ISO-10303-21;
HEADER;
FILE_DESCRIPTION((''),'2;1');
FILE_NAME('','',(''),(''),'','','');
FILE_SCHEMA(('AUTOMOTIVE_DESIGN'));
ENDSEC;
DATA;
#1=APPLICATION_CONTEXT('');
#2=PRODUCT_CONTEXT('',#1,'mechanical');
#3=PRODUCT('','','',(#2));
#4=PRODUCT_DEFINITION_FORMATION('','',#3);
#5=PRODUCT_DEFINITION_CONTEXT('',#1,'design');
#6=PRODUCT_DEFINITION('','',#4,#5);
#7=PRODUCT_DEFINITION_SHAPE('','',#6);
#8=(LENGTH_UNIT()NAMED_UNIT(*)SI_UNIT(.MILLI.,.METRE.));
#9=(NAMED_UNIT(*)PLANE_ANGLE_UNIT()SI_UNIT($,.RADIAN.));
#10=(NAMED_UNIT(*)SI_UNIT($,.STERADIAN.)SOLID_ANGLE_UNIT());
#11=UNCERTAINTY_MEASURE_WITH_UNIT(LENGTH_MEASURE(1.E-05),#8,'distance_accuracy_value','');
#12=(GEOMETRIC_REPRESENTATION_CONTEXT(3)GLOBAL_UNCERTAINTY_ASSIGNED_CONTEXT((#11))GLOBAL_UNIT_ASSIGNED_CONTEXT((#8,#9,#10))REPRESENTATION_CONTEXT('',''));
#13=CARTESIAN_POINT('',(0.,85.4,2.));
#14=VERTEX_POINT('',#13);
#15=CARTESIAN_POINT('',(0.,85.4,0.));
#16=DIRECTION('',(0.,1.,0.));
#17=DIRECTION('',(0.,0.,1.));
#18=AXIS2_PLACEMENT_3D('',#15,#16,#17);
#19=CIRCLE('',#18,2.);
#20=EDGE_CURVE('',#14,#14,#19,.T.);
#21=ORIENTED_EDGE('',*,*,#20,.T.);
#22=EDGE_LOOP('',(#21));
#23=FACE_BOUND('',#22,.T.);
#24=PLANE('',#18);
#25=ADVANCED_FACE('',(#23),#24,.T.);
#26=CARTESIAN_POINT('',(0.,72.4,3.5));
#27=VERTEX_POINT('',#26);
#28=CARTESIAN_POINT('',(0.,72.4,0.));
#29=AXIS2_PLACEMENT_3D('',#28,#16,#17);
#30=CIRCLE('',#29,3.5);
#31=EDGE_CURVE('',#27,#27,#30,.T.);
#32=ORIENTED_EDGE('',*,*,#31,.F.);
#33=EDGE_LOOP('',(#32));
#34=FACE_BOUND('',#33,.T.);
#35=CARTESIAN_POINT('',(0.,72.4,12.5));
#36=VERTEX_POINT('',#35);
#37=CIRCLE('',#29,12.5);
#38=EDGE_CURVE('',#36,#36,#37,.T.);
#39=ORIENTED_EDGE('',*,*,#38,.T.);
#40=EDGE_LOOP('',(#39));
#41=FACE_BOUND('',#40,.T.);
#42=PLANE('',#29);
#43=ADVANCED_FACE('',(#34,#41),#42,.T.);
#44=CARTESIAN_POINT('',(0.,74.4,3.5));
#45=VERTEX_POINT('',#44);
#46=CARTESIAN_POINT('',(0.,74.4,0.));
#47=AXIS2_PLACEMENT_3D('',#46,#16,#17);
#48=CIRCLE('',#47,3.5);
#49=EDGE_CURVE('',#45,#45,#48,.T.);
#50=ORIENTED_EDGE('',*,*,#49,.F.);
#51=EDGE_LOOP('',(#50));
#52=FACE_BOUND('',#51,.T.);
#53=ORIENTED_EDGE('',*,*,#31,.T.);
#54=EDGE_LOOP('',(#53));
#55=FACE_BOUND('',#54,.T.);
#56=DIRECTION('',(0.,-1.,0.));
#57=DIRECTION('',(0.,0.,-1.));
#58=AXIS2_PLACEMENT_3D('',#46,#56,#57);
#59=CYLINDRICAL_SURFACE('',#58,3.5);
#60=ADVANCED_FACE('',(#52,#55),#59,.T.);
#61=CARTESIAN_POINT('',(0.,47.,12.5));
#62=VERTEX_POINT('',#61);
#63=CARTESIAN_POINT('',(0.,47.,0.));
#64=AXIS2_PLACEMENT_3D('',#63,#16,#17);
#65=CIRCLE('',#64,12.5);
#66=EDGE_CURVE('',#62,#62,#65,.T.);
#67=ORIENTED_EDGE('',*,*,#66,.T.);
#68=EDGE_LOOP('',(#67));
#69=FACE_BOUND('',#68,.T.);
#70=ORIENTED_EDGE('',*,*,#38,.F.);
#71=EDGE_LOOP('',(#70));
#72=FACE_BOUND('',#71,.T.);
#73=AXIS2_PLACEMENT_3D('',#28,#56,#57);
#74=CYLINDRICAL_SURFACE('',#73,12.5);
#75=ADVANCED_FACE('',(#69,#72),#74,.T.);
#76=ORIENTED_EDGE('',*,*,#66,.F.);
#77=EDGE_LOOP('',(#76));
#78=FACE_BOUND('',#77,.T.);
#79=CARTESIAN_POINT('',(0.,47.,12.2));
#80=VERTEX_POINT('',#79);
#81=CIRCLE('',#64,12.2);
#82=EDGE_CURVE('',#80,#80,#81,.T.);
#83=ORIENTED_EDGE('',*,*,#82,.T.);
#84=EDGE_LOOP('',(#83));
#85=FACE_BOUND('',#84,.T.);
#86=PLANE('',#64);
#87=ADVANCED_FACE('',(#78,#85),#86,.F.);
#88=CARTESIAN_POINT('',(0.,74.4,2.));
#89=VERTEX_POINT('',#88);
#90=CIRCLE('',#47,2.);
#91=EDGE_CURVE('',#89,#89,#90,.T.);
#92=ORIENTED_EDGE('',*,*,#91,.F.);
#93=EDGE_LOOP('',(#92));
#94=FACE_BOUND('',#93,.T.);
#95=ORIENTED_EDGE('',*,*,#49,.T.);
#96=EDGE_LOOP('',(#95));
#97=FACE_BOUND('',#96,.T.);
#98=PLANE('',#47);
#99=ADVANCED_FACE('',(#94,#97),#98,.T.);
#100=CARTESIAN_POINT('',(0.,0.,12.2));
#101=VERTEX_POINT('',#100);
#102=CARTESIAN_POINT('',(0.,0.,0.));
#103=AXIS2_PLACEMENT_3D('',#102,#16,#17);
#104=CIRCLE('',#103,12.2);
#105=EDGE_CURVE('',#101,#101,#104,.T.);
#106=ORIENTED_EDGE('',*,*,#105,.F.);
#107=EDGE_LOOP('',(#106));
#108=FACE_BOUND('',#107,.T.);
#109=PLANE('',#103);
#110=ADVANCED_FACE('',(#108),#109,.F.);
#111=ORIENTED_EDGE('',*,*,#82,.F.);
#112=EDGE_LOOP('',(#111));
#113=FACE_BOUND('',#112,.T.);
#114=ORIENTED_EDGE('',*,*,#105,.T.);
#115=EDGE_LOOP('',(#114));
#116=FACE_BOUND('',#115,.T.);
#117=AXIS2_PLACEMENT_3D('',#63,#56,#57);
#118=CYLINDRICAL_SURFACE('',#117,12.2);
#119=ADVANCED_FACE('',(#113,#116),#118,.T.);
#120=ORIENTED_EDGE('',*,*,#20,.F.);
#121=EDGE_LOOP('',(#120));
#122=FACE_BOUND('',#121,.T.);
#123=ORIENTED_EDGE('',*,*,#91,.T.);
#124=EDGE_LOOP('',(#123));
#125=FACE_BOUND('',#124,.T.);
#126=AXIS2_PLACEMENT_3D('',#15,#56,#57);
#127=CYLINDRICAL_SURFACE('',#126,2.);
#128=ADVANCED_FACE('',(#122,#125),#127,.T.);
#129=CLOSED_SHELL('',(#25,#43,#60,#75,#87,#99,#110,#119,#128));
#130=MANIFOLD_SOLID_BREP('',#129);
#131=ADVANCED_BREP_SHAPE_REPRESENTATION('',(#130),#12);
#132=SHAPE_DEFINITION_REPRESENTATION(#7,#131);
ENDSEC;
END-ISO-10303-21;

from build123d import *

# Parameters (mm, degrees)
SKETCH1_R           = 12.2
BOSS_EXTRUDE1_DEPTH = 47
SKETCH2_R           = 12.5
BOSS_EXTRUDE2_DEPTH = 25.4
SKETCH3_R           = 3.5
BOSS_EXTRUDE3_DEPTH = 2
SKETCH4_R           = 2
BOSS_EXTRUDE4_DEPTH = 11


with BuildPart() as part:
    # Sketch1 → Boss-Extrude1 (new body)
    with BuildSketch(Plane(origin=(0, 0, 0), x_dir=(1, 0, 0), z_dir=(0, 1, 0))):
        Circle(SKETCH1_R)
    extrude(amount=BOSS_EXTRUDE1_DEPTH)

    # Sketch2 → Boss-Extrude2 (add)
    with BuildSketch(Plane(origin=(0, 47, 0), x_dir=(1, 0, 0), z_dir=(0, 1, 0))):
        Circle(SKETCH2_R)
    extrude(amount=BOSS_EXTRUDE2_DEPTH)

    # Sketch3 → Boss-Extrude3 (add)
    with BuildSketch(Plane(origin=(0, 72.4, 0), x_dir=(1, 0, 0), z_dir=(0, 1, 0))):
        Circle(SKETCH3_R)
    extrude(amount=BOSS_EXTRUDE3_DEPTH)

    # Sketch4 → Boss-Extrude4 (add)
    with BuildSketch(Plane(origin=(0, 74.4, 0), x_dir=(1, 0, 0), z_dir=(0, 1, 0))):
        Circle(SKETCH4_R)
    extrude(amount=BOSS_EXTRUDE4_DEPTH)


solid = part.part
